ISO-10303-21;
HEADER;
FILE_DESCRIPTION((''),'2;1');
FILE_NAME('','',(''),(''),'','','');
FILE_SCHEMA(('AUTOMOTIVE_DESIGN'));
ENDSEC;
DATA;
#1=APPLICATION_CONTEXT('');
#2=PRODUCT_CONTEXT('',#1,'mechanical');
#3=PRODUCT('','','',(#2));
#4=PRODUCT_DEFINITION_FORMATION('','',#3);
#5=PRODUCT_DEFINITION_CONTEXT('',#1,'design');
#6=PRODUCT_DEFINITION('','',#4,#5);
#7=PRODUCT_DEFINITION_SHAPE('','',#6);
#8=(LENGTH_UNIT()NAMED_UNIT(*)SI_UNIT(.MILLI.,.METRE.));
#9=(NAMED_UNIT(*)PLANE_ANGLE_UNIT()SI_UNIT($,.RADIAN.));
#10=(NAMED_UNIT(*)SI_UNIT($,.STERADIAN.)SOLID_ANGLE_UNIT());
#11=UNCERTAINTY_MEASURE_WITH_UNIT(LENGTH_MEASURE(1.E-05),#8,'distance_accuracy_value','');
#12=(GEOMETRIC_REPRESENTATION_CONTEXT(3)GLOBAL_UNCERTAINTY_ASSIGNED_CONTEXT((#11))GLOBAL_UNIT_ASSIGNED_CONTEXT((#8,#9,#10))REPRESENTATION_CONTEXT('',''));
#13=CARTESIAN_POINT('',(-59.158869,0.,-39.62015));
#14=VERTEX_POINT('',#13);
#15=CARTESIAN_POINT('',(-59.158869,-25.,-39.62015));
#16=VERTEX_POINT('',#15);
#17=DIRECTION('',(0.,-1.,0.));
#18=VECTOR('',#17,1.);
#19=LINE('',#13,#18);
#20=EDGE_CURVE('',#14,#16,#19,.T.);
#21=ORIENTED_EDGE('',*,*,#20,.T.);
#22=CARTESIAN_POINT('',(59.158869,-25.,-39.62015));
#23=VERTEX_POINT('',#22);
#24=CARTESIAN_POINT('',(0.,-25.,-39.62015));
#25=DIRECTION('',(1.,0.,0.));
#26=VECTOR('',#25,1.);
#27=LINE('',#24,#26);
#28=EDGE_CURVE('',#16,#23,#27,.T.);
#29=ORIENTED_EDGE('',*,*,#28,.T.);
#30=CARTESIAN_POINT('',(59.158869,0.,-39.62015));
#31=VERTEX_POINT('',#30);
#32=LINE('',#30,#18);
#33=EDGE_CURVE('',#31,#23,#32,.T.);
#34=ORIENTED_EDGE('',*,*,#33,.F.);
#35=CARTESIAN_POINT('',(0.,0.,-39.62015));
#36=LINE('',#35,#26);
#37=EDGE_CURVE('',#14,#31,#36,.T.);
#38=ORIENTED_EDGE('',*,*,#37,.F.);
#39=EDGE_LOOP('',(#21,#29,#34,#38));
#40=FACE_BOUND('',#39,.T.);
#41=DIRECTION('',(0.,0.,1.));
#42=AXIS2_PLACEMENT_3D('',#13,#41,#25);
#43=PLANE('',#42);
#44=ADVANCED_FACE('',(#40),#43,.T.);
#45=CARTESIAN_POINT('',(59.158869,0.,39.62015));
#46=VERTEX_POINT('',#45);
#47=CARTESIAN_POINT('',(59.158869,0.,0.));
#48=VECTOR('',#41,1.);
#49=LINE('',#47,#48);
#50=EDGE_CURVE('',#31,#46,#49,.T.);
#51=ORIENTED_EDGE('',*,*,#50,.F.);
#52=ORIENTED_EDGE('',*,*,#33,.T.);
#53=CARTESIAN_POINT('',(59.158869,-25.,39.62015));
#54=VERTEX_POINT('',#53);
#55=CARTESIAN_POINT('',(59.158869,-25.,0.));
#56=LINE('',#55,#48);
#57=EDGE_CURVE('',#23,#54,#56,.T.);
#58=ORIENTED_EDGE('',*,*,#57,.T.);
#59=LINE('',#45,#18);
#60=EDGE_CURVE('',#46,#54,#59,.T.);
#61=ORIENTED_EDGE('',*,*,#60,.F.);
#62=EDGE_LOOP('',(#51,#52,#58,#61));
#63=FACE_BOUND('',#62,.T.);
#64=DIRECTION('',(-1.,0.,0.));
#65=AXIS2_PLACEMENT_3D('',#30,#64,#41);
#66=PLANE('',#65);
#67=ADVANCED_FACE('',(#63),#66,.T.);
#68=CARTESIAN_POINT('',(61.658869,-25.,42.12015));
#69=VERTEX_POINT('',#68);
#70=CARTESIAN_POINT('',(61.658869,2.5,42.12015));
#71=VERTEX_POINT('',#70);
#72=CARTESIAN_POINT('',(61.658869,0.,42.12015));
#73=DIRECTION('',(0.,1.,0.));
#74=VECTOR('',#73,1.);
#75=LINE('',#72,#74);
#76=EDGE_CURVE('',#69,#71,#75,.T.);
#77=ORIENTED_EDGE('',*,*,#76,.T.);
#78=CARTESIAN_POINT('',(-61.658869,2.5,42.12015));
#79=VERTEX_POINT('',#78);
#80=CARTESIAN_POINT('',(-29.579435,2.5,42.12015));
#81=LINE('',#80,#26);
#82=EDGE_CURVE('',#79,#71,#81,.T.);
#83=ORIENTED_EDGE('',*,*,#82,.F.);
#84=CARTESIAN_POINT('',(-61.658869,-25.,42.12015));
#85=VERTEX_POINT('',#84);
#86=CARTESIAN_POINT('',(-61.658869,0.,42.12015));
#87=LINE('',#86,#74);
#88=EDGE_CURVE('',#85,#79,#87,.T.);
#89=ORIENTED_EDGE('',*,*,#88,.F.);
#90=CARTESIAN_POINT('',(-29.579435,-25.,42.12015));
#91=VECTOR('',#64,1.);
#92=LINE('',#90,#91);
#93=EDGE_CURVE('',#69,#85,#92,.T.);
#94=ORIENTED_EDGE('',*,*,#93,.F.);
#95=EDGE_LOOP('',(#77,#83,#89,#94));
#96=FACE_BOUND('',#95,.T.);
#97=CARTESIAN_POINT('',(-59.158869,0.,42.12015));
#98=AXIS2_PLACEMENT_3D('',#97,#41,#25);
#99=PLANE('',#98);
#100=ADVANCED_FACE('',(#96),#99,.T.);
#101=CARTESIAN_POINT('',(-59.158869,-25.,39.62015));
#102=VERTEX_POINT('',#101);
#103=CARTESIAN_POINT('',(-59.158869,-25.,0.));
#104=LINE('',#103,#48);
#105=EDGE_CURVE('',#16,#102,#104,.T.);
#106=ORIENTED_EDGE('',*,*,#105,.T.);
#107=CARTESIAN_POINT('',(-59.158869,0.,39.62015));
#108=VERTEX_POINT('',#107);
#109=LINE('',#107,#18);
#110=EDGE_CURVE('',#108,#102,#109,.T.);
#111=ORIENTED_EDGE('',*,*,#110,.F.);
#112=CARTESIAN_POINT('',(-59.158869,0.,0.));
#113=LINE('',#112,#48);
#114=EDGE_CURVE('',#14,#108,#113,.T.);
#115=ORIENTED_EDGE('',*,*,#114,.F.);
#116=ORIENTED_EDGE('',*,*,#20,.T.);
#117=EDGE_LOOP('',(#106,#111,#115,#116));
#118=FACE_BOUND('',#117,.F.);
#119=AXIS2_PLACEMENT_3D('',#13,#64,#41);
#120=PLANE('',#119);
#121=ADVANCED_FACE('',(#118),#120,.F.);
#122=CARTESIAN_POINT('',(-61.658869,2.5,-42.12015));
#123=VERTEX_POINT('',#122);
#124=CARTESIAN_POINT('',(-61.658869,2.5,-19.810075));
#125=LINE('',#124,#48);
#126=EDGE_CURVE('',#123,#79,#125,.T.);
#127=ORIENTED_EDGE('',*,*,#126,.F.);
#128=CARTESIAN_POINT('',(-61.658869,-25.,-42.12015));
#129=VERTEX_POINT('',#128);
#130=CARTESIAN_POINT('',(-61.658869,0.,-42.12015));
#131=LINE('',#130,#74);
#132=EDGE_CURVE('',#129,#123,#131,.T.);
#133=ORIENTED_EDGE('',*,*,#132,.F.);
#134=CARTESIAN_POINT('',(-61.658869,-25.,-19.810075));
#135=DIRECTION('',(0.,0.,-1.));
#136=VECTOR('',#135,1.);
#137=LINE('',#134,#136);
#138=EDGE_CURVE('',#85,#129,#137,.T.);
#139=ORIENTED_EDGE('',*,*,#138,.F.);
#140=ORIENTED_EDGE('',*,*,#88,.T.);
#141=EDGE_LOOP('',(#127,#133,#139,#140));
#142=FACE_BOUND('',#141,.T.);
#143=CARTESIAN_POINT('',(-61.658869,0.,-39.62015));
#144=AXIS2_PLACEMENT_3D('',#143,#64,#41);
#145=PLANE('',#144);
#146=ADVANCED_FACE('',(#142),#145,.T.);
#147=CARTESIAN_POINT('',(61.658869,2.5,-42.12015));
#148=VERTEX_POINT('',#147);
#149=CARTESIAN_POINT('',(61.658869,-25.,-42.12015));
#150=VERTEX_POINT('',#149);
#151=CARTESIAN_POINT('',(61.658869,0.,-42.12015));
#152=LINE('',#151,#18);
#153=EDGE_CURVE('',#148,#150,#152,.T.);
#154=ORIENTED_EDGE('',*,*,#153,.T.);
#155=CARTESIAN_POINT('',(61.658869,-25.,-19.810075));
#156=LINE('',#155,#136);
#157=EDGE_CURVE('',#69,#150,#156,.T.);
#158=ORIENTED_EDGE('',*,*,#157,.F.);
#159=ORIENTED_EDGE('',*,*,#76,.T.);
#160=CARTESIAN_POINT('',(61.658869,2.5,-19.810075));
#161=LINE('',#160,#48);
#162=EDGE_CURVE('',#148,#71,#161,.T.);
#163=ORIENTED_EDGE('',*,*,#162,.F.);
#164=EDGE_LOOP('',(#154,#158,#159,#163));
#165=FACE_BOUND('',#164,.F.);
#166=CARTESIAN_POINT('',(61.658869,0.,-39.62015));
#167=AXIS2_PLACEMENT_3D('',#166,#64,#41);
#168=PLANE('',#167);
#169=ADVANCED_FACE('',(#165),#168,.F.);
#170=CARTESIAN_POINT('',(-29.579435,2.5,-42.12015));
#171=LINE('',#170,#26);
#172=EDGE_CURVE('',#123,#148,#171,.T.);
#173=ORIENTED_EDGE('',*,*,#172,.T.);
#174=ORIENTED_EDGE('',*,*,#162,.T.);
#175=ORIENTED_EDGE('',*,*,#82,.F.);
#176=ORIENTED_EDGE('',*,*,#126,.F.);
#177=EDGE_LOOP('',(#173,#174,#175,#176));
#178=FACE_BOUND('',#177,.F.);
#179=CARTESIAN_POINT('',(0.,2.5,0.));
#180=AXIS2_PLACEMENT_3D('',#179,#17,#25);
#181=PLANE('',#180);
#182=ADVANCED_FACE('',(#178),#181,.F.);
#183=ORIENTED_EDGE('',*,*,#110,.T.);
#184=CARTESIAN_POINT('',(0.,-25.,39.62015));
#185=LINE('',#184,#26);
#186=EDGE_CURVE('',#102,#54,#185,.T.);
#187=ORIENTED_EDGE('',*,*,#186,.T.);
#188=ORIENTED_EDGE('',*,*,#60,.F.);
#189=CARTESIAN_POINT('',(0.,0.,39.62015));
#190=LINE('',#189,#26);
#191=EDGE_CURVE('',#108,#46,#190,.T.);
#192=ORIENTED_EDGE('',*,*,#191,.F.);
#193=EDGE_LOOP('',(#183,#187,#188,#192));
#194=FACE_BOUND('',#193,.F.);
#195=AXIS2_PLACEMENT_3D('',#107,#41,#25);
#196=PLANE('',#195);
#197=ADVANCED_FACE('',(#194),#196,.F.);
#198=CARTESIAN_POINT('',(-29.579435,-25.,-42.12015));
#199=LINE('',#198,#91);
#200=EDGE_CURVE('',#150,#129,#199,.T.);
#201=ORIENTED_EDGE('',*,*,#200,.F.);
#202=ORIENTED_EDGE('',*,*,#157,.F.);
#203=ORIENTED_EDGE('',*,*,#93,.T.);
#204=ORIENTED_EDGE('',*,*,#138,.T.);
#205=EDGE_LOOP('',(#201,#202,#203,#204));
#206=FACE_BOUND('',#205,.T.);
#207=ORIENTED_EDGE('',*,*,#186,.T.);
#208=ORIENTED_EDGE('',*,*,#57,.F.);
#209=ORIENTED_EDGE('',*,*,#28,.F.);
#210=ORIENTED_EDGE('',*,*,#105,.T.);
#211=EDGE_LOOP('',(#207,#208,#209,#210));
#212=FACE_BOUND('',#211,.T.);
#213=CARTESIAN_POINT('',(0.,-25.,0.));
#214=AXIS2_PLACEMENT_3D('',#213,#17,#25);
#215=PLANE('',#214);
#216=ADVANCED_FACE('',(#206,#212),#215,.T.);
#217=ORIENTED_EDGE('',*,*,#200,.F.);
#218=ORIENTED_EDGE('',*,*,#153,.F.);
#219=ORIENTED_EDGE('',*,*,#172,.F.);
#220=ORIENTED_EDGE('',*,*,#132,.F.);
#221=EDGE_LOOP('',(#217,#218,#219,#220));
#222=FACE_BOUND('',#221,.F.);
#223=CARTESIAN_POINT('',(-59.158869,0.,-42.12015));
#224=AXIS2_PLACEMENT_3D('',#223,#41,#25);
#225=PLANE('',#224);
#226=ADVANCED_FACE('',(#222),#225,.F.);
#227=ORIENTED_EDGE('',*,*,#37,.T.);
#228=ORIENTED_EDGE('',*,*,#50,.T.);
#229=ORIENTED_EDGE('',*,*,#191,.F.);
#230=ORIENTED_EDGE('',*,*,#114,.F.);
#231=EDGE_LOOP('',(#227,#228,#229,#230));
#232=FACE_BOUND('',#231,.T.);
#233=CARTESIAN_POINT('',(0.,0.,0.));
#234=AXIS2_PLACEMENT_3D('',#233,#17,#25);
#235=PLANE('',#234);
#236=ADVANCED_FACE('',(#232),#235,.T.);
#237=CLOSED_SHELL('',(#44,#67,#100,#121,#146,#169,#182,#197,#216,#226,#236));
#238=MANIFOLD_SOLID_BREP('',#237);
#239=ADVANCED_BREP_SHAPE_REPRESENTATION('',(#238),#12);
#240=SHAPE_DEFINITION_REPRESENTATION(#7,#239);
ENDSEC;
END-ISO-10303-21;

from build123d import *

# Parameters (mm, degrees)
F0_W     = 118.3177381754
F0_H     = 79.2402997613
F1_DEPTH = 25
F2_T     = 2.5


with BuildPart() as f1:
    # F0 (on Front) → F1 (new body)
    with BuildSketch(Plane.XZ):
        Rectangle(F0_W, F0_H)
    extrude(amount=F1_DEPTH)

    # F2
    f2_openings = [f1.faces().sort_by_distance(p)[0] for p in [
        (0, -25, 0),
    ]]
    offset(amount=F2_T, openings=f2_openings, kind=Kind.INTERSECTION)


solid = f1.part
